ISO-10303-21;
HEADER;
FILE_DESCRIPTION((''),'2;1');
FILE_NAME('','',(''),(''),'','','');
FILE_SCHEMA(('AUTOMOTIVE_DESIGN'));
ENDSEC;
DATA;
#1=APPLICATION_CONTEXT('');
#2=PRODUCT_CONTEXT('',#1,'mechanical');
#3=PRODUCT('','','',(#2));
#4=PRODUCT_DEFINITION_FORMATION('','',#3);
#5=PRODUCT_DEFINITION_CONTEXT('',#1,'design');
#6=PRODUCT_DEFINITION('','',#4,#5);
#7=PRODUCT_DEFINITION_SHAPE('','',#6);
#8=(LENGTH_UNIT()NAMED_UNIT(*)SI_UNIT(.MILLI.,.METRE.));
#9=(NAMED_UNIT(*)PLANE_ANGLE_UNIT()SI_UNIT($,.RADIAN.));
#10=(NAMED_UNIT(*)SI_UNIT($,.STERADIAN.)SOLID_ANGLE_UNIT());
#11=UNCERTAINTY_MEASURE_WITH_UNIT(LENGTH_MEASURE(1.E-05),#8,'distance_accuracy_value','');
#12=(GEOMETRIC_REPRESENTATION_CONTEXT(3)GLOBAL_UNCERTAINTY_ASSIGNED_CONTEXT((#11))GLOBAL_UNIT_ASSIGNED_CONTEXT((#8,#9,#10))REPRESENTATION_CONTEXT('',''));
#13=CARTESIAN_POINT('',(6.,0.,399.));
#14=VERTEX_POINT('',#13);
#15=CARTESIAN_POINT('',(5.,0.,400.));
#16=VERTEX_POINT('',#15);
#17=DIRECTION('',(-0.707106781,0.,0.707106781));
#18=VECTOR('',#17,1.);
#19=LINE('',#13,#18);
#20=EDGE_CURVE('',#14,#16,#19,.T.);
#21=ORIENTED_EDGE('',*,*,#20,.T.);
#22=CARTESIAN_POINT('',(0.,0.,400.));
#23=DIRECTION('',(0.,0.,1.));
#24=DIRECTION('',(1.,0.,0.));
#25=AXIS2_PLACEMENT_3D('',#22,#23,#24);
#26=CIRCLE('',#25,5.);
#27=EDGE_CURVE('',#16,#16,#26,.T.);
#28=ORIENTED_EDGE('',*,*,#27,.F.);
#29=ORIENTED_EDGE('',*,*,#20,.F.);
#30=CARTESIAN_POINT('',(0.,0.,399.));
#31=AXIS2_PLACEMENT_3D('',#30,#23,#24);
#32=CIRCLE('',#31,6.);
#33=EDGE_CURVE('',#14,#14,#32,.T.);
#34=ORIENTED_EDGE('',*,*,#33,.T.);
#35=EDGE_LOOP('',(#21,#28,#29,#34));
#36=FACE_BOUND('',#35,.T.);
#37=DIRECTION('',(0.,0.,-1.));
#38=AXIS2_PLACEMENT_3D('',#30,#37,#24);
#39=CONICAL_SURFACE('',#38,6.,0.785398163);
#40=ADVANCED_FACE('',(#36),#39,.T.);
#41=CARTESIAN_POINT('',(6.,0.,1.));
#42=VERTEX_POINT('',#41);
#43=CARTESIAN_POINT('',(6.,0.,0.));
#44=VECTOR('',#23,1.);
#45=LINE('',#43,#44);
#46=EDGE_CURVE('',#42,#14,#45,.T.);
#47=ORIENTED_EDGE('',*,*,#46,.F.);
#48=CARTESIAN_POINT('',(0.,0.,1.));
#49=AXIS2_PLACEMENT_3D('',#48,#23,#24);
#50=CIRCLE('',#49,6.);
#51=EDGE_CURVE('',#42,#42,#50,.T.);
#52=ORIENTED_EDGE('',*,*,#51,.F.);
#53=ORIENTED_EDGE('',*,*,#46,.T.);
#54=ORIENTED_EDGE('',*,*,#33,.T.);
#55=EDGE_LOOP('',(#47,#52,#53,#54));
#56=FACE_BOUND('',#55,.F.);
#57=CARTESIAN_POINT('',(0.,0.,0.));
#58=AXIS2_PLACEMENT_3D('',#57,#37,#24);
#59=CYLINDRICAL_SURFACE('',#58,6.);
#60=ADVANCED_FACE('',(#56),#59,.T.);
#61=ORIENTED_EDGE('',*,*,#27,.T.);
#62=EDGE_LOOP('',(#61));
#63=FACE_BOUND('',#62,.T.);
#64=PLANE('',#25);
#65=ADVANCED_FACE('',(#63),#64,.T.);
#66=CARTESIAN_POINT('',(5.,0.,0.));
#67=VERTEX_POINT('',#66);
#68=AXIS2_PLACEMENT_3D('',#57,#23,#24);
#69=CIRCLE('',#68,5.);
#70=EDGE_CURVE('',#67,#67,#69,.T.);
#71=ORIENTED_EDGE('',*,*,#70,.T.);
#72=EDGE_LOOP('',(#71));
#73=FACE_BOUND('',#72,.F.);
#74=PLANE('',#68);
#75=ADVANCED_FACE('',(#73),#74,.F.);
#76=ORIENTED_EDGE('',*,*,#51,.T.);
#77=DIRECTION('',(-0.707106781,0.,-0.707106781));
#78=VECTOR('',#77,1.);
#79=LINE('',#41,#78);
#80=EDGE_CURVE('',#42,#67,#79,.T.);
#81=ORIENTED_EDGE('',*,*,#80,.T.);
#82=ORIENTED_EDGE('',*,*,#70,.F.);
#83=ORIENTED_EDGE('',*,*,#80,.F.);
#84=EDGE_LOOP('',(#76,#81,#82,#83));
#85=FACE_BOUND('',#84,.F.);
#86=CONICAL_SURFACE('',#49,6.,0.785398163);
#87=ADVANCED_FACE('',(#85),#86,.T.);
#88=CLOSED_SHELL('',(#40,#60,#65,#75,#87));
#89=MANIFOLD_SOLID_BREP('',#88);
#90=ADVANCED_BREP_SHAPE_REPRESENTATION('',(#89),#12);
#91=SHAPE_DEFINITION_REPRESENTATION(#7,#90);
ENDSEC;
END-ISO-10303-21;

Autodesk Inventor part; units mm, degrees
ref_plane "YZ Plane" through (0, 0, 0) normal (1, 0, 0) x (0, 1, 0)
ref_plane "XZ Plane" through (0, 0, 0) normal (0, 1, 0) x (-1, 0, 0)
ref_plane "XY Plane" through (0, 0, 0) normal (0, 0, 1) x (1, 0, 0)
sketch "Sketch1" plane through (0, 0, 0) normal (0, 0, 1) x (1, 0, 0)
  circle A0 centre (0, 0) radius 6
  dimension "d0" = 12
extrude "Extrusion1" add sketch "Sketch1" along normal blind 400
chamfer "Chamfer1" distance 1 angle 45 2 edges at (-6, 0, 400) (-6, 0, 0)
equation "\"d1\" = frame_height"
equation "\"frame_height\" = 400"
equation "\"platform_width\" = 214"
equation "\"platform_depth\" = 214"
equation "\"bed_cl_y_offset\" = 173.25"
properties part number "Linear rail - Z" material "Steel, Mild"
